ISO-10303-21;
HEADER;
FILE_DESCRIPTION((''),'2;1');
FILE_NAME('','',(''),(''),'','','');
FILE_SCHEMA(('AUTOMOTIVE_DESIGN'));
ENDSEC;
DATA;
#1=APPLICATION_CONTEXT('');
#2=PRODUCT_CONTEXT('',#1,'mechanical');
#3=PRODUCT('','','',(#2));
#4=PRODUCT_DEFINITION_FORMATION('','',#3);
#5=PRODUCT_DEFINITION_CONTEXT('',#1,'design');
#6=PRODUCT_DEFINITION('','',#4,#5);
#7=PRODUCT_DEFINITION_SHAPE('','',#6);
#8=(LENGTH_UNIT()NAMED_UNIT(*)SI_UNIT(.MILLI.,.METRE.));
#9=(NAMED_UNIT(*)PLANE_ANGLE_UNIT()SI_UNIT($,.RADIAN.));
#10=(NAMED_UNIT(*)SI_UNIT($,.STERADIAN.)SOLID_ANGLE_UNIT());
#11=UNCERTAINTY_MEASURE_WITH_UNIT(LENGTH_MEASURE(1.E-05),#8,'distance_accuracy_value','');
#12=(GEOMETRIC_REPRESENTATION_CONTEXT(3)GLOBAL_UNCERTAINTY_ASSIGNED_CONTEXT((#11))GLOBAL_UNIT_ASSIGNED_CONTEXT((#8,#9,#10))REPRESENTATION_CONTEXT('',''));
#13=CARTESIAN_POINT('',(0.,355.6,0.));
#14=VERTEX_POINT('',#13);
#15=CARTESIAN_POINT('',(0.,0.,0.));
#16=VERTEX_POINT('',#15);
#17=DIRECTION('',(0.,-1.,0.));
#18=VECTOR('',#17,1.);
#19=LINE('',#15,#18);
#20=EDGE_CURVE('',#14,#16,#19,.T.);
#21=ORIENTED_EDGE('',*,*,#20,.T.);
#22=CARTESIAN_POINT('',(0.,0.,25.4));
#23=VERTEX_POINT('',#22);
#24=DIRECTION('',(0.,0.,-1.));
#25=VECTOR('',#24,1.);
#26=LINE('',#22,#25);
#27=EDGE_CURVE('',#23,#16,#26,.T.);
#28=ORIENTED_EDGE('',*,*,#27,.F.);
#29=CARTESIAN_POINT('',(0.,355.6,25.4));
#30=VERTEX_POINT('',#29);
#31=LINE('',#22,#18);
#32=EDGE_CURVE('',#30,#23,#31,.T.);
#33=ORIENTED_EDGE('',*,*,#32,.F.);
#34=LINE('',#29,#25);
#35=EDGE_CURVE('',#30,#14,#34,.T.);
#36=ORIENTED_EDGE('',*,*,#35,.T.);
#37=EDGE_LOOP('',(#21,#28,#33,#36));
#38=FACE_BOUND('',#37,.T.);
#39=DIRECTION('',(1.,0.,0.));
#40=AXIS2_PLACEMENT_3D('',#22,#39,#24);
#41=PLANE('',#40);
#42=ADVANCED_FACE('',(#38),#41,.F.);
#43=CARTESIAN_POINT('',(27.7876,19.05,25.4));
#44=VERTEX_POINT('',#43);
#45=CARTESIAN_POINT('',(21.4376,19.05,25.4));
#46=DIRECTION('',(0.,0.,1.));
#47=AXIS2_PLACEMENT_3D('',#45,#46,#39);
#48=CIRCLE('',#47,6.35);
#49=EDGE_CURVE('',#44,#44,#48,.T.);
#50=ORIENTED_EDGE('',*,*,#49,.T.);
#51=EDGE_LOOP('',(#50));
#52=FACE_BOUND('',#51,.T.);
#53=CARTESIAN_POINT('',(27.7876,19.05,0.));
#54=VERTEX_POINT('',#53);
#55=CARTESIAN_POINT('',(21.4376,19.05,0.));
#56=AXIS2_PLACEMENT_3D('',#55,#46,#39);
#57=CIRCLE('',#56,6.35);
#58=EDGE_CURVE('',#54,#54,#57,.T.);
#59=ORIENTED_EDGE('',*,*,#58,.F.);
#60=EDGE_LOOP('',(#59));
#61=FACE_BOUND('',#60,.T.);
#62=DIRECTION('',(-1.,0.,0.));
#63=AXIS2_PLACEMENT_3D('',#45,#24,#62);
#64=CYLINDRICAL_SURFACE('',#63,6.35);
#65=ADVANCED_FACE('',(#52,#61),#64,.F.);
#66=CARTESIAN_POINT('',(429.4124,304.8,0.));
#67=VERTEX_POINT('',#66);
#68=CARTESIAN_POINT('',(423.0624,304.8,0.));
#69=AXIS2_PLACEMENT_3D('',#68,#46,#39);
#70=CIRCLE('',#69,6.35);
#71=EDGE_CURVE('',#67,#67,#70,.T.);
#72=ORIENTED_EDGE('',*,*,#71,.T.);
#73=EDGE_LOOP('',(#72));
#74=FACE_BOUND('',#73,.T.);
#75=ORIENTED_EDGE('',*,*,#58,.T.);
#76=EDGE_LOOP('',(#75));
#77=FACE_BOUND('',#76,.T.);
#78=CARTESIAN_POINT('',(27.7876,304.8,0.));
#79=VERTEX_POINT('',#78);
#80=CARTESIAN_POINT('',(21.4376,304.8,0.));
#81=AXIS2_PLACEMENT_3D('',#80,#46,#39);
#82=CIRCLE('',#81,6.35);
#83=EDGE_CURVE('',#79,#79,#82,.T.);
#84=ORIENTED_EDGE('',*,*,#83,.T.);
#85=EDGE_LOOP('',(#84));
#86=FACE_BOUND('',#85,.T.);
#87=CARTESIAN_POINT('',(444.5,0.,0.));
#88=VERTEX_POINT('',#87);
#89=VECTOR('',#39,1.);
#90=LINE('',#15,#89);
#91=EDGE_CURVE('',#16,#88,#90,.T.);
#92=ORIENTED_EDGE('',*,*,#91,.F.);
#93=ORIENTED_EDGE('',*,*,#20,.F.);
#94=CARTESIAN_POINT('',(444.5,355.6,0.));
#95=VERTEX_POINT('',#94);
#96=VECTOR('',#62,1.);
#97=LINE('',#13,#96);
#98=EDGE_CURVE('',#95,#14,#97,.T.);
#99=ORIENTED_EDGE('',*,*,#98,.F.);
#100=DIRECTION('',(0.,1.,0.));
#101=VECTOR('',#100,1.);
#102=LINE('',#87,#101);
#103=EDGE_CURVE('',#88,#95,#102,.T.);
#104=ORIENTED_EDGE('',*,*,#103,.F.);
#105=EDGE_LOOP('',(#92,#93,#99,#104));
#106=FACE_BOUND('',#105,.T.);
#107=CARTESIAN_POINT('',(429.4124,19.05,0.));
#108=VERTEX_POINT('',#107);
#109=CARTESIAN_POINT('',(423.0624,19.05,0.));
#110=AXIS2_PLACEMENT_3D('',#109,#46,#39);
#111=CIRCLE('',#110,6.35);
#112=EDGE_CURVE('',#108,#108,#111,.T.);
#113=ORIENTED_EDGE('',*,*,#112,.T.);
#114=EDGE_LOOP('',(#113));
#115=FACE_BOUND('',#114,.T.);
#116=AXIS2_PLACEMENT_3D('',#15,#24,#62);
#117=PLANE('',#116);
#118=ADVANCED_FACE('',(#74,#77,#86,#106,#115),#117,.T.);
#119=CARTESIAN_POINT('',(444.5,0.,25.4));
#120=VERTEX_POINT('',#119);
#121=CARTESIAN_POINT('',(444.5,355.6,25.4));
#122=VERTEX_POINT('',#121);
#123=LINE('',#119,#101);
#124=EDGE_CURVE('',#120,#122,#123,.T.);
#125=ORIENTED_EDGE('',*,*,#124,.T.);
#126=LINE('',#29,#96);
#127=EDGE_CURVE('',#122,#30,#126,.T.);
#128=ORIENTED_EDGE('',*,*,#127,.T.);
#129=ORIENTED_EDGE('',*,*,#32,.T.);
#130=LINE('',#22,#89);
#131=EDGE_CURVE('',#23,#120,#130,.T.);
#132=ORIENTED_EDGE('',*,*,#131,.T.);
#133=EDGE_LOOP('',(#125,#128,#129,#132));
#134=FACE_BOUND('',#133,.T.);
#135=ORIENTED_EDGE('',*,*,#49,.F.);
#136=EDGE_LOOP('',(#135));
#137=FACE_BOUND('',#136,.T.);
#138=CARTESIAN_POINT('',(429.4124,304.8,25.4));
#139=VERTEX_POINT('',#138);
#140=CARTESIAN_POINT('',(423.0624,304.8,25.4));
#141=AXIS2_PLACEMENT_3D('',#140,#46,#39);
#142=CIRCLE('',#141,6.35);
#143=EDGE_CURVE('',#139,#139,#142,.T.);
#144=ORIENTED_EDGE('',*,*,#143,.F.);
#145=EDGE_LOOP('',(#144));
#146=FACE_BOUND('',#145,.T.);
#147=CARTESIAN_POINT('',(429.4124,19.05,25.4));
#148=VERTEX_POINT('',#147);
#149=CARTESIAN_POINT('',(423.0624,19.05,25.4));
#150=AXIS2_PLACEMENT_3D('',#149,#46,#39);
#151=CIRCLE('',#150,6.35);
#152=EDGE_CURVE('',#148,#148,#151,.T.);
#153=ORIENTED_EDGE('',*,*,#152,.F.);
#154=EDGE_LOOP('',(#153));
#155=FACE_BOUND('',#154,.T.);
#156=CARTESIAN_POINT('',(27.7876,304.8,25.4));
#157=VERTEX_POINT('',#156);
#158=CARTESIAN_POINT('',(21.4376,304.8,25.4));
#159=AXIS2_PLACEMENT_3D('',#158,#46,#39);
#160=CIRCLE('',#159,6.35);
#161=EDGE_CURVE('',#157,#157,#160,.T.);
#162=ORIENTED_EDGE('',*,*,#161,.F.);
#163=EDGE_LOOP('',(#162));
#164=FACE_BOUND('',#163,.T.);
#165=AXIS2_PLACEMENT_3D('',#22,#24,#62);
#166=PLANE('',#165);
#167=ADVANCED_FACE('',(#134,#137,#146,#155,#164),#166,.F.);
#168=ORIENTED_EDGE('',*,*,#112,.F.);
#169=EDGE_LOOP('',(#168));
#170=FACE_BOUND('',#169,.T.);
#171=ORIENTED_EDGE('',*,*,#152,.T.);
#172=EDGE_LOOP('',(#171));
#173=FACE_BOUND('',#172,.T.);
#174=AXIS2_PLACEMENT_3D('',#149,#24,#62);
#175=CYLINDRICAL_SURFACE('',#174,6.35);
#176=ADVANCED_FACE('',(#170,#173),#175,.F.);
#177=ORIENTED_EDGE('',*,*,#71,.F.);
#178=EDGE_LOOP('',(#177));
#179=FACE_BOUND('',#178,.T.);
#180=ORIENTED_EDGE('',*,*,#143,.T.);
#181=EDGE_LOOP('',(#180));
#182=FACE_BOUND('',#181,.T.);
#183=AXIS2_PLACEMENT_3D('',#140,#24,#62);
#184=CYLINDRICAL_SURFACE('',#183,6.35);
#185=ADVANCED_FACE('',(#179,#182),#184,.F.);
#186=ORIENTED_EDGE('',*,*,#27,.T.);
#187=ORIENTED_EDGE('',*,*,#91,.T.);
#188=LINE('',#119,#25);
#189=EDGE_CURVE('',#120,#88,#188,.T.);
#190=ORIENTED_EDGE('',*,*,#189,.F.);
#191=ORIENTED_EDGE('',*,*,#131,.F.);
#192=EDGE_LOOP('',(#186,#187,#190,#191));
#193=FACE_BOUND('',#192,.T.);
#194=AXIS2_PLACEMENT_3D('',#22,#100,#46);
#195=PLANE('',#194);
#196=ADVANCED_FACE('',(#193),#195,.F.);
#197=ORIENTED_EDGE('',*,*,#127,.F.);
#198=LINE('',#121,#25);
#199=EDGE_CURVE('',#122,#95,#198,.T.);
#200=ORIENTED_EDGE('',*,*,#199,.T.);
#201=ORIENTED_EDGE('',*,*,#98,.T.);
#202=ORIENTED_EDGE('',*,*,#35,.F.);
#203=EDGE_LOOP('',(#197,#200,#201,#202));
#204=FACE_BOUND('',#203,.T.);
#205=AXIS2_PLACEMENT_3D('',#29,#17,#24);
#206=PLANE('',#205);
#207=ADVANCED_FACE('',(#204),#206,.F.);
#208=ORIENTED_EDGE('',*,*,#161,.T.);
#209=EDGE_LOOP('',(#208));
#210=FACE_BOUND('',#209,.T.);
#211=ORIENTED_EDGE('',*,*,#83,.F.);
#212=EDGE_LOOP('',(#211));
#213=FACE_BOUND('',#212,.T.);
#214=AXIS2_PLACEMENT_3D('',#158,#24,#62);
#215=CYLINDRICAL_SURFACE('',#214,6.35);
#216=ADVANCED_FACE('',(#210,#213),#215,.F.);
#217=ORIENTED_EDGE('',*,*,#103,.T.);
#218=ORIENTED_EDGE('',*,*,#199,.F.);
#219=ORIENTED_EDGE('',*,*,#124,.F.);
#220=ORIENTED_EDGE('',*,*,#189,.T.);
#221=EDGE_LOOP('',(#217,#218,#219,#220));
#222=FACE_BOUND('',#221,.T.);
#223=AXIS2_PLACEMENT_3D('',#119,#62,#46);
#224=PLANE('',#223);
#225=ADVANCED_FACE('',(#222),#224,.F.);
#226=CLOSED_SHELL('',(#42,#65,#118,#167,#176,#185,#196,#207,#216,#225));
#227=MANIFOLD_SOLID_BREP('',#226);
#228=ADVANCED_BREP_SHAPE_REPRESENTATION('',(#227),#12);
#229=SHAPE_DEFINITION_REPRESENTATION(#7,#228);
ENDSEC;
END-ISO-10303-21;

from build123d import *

# Parameters (mm, degrees)
SKETCH1_W           = 444.5
SKETCH1_H           = 355.6
BOSS_EXTRUDE1_DEPTH = 25.4
SKETCH2_R           = 6.35
CUT_EXTRUDE1_DEPTH  = 570.804150564


with BuildPart() as part:
    # Sketch1 → Boss-Extrude1 (new body)
    with BuildSketch(Plane.XY):
        with Locations((222.25, 177.8)):
            Rectangle(SKETCH1_W, SKETCH1_H)
    extrude(amount=BOSS_EXTRUDE1_DEPTH)

    # Sketch2 → Cut-Extrude1 (cut, through all)
    with BuildSketch(Plane.XY):
        with Locations((21.4376, 19.05)):
            Circle(SKETCH2_R)
        with Locations((423.0624, 19.05)):
            Circle(SKETCH2_R)
        with Locations((21.4376, 304.8)):
            Circle(SKETCH2_R)
        with Locations((423.0624, 304.8)):
            Circle(SKETCH2_R)
    extrude(amount=CUT_EXTRUDE1_DEPTH, mode=Mode.SUBTRACT)


solid = part.part
